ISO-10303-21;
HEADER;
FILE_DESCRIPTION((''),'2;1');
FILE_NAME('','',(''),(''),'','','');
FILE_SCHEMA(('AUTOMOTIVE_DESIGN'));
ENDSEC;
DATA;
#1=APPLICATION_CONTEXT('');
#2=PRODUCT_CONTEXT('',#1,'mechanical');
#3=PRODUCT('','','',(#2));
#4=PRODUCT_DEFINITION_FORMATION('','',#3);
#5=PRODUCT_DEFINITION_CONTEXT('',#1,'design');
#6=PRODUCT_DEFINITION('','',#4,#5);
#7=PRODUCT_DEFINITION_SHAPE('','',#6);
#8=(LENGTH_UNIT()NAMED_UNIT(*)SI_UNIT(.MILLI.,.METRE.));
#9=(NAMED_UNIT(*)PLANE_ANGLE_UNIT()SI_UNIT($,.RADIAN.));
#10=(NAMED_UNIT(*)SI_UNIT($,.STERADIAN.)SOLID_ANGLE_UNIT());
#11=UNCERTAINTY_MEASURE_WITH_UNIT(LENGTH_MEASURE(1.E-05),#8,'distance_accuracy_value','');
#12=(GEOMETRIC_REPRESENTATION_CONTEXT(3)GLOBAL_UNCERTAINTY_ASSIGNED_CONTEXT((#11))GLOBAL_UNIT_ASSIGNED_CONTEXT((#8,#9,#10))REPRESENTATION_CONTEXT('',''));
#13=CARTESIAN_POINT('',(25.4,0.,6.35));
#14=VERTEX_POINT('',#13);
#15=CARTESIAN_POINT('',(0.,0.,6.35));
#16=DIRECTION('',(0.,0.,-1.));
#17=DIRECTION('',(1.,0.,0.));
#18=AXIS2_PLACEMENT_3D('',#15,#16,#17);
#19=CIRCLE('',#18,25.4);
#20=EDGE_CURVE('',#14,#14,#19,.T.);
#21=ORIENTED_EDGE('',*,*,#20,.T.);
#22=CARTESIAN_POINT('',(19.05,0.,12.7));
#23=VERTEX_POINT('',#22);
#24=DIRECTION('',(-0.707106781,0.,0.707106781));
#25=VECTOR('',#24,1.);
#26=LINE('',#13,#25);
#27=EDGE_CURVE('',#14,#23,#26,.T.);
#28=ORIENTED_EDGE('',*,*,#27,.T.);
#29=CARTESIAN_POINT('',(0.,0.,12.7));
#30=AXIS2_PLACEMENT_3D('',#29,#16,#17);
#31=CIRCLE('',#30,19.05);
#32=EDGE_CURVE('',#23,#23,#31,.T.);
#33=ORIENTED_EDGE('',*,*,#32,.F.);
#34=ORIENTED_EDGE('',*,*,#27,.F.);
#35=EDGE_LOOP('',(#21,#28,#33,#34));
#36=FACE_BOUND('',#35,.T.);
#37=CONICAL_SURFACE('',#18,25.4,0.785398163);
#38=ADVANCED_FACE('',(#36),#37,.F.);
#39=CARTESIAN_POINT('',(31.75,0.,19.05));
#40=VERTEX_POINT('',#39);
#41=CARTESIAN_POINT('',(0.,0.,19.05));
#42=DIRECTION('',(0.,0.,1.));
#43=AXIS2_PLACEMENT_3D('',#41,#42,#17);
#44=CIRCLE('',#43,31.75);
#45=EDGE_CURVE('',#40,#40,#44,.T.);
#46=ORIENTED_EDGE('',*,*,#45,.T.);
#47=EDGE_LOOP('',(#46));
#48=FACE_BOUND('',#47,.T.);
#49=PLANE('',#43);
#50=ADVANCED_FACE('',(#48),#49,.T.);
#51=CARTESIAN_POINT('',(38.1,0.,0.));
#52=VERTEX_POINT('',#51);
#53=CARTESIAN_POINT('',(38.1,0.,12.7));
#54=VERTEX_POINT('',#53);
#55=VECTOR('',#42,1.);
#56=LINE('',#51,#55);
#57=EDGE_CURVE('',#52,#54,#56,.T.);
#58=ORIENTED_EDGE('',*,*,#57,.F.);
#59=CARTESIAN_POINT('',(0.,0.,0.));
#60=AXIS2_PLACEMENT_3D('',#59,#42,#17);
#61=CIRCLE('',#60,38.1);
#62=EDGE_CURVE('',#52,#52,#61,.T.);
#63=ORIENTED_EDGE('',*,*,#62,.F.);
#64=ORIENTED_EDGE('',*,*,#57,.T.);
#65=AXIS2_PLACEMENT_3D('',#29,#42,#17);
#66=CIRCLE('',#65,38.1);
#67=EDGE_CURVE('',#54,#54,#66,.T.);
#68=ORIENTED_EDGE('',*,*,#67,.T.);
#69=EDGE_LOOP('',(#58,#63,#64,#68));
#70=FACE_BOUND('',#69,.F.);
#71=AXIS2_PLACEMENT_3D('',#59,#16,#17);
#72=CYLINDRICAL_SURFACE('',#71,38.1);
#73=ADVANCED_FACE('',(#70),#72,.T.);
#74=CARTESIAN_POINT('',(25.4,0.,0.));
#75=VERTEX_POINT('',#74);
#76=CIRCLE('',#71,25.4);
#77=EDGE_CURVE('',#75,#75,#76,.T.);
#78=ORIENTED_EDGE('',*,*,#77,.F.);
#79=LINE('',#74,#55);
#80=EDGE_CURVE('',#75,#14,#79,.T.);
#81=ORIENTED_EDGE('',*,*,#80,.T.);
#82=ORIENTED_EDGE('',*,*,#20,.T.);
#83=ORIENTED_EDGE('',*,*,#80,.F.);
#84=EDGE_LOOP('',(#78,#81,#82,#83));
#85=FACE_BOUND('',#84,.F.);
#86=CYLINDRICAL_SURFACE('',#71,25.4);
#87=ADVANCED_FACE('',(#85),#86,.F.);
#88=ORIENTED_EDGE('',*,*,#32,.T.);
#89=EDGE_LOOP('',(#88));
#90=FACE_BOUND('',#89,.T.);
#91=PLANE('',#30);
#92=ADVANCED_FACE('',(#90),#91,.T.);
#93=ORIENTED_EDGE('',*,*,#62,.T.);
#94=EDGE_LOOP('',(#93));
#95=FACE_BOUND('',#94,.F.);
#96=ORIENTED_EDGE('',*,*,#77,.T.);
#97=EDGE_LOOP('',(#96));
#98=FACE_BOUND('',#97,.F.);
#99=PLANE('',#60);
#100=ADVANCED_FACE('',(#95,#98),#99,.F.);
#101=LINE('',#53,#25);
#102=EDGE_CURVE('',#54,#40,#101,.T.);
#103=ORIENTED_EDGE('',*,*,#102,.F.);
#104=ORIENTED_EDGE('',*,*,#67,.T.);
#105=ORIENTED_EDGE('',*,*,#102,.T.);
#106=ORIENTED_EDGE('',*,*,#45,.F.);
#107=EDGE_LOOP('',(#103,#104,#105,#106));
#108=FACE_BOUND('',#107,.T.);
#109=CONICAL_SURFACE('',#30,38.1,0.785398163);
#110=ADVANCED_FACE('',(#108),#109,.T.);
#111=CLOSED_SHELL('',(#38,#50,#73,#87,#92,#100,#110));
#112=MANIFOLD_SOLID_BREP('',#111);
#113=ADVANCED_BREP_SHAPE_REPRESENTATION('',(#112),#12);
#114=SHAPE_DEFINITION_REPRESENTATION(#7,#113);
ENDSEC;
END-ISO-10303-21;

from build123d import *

# Parameters (mm, degrees)
F0_R     = 38.1
F1_DEPTH = 19.05
F2_SIZE  = 6.35
F3_R     = 25.4
F4_DEPTH = 12.7
F5_SIZE  = 6.35


with BuildPart() as f1:
    # F0 (on Top) → F1 (new body)
    with BuildSketch(Plane.XY):
        Circle(F0_R)
    extrude(amount=F1_DEPTH)

    # F2
    f2_edges = [f1.edges().sort_by_distance(p)[0] for p in [
        (-38.1, 0, 19.05),
    ]]
    chamfer(f2_edges, length=F2_SIZE)

    # F3 (on face) → F4 (cut)
    with BuildSketch(Plane(origin=(0, 0, 0), x_dir=(1, 0, 0), z_dir=(0, 0, -1))):
        Circle(F3_R)
    extrude(amount=-F4_DEPTH, mode=Mode.SUBTRACT)

    # F5
    f5_edges = [f1.edges().sort_by_distance(p)[0] for p in [
        (-25.4, 0, 12.7),
    ]]
    chamfer(f5_edges, length=F5_SIZE)


solid = f1.part
